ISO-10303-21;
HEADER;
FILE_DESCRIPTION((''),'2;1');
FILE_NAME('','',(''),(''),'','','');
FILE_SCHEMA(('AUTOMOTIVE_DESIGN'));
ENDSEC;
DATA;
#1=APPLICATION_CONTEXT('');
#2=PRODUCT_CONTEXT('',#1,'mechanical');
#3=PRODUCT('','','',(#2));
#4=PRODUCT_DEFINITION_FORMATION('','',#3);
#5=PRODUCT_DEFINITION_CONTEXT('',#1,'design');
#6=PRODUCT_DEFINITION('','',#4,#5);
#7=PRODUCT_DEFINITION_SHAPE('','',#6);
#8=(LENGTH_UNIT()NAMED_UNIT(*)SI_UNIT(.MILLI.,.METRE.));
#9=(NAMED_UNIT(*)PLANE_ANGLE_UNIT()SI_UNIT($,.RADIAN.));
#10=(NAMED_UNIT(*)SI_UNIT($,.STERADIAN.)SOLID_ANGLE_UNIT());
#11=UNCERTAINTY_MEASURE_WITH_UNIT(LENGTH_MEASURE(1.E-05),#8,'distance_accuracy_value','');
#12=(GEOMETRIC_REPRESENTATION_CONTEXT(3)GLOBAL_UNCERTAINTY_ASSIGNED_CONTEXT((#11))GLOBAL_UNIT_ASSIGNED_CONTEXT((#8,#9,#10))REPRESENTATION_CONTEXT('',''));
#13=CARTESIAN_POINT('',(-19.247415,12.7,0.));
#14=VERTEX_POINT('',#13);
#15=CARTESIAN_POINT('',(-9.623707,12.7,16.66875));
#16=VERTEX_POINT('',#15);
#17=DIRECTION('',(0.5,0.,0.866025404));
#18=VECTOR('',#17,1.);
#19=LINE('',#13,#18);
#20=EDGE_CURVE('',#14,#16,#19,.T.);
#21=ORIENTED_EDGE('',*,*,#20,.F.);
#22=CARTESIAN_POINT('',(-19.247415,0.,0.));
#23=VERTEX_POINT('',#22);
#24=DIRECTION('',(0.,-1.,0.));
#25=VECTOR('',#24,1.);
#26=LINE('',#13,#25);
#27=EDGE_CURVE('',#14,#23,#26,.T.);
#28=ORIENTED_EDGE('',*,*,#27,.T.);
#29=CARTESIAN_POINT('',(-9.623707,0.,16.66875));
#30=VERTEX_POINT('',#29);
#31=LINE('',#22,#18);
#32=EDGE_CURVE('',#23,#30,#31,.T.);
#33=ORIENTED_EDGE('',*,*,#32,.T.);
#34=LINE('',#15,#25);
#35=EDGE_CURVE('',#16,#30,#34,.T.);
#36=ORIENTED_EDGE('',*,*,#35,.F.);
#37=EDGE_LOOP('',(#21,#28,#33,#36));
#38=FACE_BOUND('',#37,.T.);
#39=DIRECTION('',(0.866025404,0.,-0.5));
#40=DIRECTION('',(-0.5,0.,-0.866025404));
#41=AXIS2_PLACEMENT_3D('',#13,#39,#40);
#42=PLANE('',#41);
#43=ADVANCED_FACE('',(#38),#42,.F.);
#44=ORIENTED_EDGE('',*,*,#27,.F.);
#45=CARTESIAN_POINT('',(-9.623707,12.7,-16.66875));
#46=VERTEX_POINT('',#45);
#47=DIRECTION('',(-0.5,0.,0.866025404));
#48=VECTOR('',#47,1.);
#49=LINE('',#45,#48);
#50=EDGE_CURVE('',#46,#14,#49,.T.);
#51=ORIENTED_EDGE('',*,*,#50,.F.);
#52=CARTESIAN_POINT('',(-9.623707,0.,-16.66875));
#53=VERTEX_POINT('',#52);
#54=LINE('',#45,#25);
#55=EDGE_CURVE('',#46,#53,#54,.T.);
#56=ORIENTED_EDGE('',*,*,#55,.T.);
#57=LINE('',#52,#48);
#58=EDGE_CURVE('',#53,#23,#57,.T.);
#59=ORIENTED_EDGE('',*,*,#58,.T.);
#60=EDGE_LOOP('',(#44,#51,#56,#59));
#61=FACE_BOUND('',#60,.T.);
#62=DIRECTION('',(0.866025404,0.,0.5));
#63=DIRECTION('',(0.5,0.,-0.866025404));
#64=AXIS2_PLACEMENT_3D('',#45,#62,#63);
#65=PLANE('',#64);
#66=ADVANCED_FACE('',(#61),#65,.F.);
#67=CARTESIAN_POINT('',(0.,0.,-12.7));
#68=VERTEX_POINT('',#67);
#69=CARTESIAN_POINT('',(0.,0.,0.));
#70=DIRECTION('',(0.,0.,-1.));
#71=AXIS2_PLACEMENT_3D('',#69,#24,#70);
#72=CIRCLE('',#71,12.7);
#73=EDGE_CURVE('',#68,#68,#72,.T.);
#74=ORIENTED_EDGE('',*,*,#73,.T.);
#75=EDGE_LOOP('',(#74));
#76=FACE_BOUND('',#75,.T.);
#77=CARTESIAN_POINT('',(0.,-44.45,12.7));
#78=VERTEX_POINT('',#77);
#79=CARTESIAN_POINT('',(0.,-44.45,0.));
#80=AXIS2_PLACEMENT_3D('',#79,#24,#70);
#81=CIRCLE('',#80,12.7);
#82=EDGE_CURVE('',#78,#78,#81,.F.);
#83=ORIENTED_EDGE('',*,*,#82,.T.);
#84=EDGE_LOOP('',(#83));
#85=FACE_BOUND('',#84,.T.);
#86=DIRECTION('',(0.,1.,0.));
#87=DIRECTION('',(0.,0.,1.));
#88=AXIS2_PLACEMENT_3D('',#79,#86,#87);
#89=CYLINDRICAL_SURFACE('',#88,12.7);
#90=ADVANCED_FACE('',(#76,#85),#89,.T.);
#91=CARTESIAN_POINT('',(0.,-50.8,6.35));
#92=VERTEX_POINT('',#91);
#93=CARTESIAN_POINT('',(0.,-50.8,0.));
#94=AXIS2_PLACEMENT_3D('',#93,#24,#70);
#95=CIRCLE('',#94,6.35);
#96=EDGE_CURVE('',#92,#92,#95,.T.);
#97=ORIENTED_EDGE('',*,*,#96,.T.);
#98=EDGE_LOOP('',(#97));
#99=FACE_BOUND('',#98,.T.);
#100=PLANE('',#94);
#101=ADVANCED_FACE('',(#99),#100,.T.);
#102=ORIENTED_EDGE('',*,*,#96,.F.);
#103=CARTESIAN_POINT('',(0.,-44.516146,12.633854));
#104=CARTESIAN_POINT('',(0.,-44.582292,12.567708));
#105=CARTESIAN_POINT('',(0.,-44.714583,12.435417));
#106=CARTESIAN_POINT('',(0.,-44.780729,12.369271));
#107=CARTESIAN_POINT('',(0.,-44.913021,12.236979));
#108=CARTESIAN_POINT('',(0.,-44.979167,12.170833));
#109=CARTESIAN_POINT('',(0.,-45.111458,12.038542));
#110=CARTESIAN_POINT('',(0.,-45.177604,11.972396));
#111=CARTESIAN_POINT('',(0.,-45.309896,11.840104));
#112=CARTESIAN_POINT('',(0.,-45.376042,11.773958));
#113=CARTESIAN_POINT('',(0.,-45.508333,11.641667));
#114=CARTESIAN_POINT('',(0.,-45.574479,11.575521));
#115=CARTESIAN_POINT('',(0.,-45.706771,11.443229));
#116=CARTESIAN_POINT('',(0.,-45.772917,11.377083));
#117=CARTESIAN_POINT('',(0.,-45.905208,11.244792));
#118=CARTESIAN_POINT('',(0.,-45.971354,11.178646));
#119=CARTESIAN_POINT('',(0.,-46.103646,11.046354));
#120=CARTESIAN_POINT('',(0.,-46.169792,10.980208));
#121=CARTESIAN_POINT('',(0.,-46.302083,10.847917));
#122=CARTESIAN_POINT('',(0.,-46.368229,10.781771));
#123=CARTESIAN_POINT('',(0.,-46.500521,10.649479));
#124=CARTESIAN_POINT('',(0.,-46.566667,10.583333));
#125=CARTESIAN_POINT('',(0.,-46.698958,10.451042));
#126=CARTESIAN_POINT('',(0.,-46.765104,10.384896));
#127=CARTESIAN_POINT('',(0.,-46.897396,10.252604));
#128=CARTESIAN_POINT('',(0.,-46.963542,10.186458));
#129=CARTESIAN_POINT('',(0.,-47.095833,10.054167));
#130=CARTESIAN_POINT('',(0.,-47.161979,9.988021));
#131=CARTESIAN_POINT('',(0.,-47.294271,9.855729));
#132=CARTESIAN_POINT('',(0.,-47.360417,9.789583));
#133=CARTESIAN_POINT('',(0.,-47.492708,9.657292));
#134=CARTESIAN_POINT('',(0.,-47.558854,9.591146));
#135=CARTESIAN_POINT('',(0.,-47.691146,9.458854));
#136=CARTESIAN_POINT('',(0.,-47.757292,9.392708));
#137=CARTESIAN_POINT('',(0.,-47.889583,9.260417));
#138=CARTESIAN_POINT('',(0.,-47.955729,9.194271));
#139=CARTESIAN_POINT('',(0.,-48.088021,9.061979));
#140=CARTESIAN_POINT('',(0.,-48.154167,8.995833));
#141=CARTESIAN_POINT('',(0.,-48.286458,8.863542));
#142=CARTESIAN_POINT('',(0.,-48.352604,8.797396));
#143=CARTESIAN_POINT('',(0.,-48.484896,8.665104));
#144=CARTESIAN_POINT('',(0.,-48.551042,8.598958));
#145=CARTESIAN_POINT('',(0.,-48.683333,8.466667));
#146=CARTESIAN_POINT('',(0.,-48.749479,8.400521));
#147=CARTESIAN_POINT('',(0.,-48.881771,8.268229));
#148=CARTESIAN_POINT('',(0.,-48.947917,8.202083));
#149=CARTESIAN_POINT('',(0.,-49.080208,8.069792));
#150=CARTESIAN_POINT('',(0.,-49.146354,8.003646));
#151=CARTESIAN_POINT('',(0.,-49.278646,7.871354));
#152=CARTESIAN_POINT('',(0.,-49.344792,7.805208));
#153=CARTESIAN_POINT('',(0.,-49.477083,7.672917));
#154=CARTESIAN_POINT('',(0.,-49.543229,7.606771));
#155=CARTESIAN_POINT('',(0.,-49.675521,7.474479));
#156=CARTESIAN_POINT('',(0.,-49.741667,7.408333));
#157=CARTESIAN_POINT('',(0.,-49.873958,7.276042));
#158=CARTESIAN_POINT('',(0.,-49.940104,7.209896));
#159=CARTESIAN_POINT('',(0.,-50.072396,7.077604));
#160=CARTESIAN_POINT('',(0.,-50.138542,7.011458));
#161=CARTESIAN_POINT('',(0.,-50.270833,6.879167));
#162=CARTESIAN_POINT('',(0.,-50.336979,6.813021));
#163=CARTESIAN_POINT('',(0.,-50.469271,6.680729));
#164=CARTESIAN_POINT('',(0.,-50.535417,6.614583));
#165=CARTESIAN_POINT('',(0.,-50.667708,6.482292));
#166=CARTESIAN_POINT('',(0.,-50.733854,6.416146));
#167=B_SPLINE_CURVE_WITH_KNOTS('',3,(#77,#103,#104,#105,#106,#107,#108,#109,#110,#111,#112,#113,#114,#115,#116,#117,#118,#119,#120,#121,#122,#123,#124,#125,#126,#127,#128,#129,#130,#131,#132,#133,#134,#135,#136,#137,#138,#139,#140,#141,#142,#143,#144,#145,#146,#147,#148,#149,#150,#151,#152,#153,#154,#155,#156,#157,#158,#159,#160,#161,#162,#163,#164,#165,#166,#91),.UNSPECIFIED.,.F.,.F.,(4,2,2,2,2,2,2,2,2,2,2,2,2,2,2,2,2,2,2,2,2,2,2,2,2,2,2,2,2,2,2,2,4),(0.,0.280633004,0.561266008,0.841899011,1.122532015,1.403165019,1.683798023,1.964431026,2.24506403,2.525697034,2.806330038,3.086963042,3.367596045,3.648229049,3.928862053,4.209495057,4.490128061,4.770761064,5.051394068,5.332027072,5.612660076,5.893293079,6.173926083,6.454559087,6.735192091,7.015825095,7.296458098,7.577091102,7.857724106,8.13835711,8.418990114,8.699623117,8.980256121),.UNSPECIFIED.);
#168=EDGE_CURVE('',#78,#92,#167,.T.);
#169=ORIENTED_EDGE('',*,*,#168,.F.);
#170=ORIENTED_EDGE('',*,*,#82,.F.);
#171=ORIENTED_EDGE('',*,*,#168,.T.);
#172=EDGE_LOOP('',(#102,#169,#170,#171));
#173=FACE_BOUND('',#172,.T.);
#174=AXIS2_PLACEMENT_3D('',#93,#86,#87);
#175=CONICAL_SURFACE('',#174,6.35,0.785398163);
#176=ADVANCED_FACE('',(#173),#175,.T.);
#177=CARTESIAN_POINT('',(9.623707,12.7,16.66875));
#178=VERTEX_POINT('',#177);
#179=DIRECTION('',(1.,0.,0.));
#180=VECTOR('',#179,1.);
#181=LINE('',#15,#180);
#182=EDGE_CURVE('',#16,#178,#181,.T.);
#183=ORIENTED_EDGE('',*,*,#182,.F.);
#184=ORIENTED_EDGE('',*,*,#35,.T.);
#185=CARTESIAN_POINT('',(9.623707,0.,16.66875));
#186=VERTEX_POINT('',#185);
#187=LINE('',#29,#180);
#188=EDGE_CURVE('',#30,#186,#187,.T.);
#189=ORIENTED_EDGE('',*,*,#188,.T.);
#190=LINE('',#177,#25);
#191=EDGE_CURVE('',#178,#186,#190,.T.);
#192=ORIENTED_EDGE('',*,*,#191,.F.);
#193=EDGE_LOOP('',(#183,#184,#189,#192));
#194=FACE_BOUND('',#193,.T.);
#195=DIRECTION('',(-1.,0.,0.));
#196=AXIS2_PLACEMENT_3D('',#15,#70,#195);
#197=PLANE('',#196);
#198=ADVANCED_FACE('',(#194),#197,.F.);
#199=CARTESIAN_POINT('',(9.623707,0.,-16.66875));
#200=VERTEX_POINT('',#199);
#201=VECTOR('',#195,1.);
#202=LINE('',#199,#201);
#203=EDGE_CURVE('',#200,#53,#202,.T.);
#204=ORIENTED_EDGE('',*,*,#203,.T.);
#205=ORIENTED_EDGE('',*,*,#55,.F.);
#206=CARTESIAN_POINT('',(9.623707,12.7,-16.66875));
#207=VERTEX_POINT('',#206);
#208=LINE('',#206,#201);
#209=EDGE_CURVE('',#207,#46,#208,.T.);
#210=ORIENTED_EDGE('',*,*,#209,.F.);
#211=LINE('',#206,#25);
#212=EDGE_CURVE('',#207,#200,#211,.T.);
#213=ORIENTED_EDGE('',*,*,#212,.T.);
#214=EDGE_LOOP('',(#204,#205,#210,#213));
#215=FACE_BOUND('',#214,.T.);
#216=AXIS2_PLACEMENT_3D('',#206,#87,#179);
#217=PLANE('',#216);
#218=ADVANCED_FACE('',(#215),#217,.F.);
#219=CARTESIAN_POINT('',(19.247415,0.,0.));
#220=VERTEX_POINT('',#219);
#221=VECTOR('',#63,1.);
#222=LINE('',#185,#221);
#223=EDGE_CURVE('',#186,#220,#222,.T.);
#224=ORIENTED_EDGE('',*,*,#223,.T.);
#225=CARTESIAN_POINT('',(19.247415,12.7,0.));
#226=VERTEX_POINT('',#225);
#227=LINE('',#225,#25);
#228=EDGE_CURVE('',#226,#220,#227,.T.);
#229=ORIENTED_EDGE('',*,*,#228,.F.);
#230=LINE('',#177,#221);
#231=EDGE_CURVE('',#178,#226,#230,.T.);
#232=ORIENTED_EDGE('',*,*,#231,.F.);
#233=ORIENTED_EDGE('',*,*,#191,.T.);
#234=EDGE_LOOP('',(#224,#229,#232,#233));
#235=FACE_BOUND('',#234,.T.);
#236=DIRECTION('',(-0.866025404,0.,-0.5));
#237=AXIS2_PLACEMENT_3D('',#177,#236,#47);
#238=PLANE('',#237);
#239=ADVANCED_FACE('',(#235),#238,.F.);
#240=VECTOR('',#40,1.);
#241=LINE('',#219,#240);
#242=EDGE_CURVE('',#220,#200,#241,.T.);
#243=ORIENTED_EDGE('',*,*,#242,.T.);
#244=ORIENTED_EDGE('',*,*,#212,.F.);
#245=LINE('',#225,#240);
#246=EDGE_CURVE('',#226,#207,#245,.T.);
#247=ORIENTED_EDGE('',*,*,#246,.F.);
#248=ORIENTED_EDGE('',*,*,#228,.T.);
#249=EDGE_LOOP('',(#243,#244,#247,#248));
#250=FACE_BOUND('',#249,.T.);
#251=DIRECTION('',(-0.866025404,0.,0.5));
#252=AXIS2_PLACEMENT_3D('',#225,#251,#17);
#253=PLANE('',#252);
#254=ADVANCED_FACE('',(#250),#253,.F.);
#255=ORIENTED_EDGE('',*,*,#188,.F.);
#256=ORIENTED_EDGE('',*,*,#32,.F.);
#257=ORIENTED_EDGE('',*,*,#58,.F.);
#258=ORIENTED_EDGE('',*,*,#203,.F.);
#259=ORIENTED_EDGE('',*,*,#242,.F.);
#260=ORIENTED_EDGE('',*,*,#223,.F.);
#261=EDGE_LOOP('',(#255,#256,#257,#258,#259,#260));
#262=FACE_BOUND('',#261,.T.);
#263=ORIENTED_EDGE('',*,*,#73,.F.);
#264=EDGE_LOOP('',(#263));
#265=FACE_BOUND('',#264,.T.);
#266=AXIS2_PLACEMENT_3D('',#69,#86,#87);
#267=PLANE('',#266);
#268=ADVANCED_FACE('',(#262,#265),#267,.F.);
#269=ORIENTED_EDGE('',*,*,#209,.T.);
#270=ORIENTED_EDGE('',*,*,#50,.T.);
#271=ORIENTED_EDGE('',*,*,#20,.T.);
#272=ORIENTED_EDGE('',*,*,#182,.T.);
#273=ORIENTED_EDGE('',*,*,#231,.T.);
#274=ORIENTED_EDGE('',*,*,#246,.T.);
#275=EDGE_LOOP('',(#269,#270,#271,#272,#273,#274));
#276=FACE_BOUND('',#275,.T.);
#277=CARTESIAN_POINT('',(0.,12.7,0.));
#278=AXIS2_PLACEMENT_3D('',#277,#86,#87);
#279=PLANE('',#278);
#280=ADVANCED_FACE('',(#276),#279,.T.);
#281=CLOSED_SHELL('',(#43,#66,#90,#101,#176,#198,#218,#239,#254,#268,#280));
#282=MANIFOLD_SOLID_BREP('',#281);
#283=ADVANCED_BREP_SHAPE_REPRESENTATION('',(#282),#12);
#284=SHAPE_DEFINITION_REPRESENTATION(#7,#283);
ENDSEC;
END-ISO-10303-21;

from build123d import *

# Parameters (mm, degrees)
BOSS_EXTRUDE1_DEPTH = 12.7
SKETCH2_R           = 12.7
BOSS_EXTRUDE2_DEPTH = 44.45
SKETCH3_R           = 12.7
BOSS_EXTRUDE3_DEPTH = 6.35
CHAMFER1_SIZE       = 6.35


with BuildPart() as part:
    # Sketch1 → Boss-Extrude1 (new body)
    with BuildSketch(Plane(origin=(0, 0, 0), x_dir=(1, 0, 0), z_dir=(0, 1, 0))):
        Polygon((19.247414599, 0), (9.6237073, 16.66875), (-9.6237073, 16.66875), (-19.247414599, 0), (-9.6237073, -16.66875), (9.6237073, -16.66875), align=None)
    extrude(amount=BOSS_EXTRUDE1_DEPTH)

    # Sketch2 → Boss-Extrude2 (add)
    with BuildSketch(Plane.XZ):
        with Locations(Location((0, 0, 0), (0, 0, 270))):
            Circle(SKETCH2_R)
    extrude(amount=BOSS_EXTRUDE2_DEPTH)

    # Sketch3 → Boss-Extrude3 (add)
    with BuildSketch(Plane(origin=(0, -44.45, 0), x_dir=(-1, 0, 0), z_dir=(0, -1, 0))):
        with Locations(Location((0, 0, 0), (0, 0, 90))):
            Circle(SKETCH3_R)
    extrude(amount=BOSS_EXTRUDE3_DEPTH)

    # Chamfer1
    chamfer1_edges = [part.edges().sort_by_distance(p)[0] for p in [
        (0, -50.8, 12.7),
    ]]
    chamfer(chamfer1_edges, length=CHAMFER1_SIZE)


solid = part.part
